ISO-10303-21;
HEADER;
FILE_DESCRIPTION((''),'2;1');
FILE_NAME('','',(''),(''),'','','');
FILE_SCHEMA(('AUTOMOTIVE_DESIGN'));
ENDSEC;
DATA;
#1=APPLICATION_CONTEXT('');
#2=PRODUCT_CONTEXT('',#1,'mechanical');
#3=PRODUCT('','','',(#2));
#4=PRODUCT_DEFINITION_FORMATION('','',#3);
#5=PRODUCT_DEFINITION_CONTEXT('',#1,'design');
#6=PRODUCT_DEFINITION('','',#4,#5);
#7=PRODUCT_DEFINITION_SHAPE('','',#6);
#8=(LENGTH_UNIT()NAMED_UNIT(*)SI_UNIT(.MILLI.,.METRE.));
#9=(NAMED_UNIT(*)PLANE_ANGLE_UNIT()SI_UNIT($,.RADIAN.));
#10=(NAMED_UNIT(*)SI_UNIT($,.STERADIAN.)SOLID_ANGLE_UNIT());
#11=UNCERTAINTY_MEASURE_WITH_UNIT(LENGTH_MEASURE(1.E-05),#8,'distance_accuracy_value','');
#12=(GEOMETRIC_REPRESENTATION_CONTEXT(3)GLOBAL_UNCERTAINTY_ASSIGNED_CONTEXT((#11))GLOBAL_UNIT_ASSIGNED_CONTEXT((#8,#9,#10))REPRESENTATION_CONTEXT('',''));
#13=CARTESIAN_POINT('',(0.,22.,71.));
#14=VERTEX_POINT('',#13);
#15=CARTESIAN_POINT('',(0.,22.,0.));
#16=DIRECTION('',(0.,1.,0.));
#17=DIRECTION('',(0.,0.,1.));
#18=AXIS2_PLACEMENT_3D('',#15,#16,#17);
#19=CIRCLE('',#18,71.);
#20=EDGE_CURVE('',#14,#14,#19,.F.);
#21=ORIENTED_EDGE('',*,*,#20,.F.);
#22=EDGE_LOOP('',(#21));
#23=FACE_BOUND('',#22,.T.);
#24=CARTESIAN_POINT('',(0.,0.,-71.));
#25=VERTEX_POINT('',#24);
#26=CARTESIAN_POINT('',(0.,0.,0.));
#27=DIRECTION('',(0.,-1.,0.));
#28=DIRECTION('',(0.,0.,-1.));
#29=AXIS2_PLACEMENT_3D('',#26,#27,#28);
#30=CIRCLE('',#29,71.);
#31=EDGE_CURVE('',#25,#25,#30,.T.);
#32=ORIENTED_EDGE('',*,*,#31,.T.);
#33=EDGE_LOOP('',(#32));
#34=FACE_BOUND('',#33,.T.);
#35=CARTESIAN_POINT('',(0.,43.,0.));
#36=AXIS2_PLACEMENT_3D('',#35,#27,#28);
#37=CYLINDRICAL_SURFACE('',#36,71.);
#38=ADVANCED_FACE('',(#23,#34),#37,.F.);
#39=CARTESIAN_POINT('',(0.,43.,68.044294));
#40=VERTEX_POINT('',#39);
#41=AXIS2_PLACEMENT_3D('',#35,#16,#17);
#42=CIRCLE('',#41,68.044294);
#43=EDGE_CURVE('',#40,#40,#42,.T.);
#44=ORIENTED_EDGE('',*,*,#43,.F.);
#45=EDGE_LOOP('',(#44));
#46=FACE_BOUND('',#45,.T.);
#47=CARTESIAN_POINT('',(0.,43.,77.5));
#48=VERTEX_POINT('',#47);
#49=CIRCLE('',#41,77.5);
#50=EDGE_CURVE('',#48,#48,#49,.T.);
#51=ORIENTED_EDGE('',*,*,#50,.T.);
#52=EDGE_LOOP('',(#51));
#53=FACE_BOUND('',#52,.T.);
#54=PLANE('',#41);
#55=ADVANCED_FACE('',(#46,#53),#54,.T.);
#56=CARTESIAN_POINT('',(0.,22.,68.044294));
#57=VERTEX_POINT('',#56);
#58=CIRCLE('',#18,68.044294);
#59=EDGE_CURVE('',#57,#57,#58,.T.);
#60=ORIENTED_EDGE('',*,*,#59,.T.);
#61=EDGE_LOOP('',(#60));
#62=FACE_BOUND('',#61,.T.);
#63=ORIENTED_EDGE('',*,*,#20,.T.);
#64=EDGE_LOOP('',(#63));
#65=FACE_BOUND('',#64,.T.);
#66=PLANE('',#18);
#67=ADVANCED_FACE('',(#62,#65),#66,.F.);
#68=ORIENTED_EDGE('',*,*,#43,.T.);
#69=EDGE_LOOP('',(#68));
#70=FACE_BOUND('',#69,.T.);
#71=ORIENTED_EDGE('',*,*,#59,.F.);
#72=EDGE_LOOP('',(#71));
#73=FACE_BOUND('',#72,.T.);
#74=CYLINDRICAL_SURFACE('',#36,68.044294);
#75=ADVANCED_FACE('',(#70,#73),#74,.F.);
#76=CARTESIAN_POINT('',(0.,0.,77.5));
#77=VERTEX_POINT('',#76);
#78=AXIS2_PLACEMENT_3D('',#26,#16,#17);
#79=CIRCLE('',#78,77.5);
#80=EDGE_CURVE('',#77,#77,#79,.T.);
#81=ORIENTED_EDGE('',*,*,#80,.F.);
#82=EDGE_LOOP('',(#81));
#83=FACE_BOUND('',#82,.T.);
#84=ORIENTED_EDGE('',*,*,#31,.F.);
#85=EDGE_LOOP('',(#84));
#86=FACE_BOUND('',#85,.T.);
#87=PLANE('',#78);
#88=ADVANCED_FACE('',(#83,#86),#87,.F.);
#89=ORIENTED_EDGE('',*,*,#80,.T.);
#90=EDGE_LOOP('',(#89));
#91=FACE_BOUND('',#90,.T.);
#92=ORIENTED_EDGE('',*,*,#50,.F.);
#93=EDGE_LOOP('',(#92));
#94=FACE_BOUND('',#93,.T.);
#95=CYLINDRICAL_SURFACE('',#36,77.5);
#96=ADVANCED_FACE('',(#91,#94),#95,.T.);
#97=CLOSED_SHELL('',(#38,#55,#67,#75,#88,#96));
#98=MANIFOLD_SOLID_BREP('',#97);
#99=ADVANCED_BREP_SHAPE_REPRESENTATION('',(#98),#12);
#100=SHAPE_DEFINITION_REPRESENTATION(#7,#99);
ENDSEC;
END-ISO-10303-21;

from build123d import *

# Parameters (mm, degrees)
SKETCH1_R           = 77.5
BOSS_EXTRUDE1_DEPTH = 43
SKETCH3_R           = 71
CUT_EXTRUDE1_DEPTH  = 44
SKETCH4_R           = 71
SKETCH4_R_2         = 68.044293834
BOSS_EXTRUDE3_DEPTH = 21


with BuildPart() as part:
    # Sketch1 → Boss-Extrude1 (new body)
    with BuildSketch(Plane(origin=(0, 0, 0), x_dir=(1, 0, 0), z_dir=(0, 1, 0))):
        Circle(SKETCH1_R)
    extrude(amount=BOSS_EXTRUDE1_DEPTH)

    # Sketch3 → Cut-Extrude1 (cut, through all)
    with BuildSketch(Plane.XZ):
        Circle(SKETCH3_R)
    extrude(amount=-CUT_EXTRUDE1_DEPTH, mode=Mode.SUBTRACT)

    # Sketch4 → Boss-Extrude3 (add, through all)
    with BuildSketch(Plane(origin=(0, 22, 0), x_dir=(1, 0, 0), z_dir=(0, 1, 0))):
        Circle(SKETCH4_R)
        Circle(SKETCH4_R_2, mode=Mode.SUBTRACT)
    extrude(amount=BOSS_EXTRUDE3_DEPTH)


solid = part.part
